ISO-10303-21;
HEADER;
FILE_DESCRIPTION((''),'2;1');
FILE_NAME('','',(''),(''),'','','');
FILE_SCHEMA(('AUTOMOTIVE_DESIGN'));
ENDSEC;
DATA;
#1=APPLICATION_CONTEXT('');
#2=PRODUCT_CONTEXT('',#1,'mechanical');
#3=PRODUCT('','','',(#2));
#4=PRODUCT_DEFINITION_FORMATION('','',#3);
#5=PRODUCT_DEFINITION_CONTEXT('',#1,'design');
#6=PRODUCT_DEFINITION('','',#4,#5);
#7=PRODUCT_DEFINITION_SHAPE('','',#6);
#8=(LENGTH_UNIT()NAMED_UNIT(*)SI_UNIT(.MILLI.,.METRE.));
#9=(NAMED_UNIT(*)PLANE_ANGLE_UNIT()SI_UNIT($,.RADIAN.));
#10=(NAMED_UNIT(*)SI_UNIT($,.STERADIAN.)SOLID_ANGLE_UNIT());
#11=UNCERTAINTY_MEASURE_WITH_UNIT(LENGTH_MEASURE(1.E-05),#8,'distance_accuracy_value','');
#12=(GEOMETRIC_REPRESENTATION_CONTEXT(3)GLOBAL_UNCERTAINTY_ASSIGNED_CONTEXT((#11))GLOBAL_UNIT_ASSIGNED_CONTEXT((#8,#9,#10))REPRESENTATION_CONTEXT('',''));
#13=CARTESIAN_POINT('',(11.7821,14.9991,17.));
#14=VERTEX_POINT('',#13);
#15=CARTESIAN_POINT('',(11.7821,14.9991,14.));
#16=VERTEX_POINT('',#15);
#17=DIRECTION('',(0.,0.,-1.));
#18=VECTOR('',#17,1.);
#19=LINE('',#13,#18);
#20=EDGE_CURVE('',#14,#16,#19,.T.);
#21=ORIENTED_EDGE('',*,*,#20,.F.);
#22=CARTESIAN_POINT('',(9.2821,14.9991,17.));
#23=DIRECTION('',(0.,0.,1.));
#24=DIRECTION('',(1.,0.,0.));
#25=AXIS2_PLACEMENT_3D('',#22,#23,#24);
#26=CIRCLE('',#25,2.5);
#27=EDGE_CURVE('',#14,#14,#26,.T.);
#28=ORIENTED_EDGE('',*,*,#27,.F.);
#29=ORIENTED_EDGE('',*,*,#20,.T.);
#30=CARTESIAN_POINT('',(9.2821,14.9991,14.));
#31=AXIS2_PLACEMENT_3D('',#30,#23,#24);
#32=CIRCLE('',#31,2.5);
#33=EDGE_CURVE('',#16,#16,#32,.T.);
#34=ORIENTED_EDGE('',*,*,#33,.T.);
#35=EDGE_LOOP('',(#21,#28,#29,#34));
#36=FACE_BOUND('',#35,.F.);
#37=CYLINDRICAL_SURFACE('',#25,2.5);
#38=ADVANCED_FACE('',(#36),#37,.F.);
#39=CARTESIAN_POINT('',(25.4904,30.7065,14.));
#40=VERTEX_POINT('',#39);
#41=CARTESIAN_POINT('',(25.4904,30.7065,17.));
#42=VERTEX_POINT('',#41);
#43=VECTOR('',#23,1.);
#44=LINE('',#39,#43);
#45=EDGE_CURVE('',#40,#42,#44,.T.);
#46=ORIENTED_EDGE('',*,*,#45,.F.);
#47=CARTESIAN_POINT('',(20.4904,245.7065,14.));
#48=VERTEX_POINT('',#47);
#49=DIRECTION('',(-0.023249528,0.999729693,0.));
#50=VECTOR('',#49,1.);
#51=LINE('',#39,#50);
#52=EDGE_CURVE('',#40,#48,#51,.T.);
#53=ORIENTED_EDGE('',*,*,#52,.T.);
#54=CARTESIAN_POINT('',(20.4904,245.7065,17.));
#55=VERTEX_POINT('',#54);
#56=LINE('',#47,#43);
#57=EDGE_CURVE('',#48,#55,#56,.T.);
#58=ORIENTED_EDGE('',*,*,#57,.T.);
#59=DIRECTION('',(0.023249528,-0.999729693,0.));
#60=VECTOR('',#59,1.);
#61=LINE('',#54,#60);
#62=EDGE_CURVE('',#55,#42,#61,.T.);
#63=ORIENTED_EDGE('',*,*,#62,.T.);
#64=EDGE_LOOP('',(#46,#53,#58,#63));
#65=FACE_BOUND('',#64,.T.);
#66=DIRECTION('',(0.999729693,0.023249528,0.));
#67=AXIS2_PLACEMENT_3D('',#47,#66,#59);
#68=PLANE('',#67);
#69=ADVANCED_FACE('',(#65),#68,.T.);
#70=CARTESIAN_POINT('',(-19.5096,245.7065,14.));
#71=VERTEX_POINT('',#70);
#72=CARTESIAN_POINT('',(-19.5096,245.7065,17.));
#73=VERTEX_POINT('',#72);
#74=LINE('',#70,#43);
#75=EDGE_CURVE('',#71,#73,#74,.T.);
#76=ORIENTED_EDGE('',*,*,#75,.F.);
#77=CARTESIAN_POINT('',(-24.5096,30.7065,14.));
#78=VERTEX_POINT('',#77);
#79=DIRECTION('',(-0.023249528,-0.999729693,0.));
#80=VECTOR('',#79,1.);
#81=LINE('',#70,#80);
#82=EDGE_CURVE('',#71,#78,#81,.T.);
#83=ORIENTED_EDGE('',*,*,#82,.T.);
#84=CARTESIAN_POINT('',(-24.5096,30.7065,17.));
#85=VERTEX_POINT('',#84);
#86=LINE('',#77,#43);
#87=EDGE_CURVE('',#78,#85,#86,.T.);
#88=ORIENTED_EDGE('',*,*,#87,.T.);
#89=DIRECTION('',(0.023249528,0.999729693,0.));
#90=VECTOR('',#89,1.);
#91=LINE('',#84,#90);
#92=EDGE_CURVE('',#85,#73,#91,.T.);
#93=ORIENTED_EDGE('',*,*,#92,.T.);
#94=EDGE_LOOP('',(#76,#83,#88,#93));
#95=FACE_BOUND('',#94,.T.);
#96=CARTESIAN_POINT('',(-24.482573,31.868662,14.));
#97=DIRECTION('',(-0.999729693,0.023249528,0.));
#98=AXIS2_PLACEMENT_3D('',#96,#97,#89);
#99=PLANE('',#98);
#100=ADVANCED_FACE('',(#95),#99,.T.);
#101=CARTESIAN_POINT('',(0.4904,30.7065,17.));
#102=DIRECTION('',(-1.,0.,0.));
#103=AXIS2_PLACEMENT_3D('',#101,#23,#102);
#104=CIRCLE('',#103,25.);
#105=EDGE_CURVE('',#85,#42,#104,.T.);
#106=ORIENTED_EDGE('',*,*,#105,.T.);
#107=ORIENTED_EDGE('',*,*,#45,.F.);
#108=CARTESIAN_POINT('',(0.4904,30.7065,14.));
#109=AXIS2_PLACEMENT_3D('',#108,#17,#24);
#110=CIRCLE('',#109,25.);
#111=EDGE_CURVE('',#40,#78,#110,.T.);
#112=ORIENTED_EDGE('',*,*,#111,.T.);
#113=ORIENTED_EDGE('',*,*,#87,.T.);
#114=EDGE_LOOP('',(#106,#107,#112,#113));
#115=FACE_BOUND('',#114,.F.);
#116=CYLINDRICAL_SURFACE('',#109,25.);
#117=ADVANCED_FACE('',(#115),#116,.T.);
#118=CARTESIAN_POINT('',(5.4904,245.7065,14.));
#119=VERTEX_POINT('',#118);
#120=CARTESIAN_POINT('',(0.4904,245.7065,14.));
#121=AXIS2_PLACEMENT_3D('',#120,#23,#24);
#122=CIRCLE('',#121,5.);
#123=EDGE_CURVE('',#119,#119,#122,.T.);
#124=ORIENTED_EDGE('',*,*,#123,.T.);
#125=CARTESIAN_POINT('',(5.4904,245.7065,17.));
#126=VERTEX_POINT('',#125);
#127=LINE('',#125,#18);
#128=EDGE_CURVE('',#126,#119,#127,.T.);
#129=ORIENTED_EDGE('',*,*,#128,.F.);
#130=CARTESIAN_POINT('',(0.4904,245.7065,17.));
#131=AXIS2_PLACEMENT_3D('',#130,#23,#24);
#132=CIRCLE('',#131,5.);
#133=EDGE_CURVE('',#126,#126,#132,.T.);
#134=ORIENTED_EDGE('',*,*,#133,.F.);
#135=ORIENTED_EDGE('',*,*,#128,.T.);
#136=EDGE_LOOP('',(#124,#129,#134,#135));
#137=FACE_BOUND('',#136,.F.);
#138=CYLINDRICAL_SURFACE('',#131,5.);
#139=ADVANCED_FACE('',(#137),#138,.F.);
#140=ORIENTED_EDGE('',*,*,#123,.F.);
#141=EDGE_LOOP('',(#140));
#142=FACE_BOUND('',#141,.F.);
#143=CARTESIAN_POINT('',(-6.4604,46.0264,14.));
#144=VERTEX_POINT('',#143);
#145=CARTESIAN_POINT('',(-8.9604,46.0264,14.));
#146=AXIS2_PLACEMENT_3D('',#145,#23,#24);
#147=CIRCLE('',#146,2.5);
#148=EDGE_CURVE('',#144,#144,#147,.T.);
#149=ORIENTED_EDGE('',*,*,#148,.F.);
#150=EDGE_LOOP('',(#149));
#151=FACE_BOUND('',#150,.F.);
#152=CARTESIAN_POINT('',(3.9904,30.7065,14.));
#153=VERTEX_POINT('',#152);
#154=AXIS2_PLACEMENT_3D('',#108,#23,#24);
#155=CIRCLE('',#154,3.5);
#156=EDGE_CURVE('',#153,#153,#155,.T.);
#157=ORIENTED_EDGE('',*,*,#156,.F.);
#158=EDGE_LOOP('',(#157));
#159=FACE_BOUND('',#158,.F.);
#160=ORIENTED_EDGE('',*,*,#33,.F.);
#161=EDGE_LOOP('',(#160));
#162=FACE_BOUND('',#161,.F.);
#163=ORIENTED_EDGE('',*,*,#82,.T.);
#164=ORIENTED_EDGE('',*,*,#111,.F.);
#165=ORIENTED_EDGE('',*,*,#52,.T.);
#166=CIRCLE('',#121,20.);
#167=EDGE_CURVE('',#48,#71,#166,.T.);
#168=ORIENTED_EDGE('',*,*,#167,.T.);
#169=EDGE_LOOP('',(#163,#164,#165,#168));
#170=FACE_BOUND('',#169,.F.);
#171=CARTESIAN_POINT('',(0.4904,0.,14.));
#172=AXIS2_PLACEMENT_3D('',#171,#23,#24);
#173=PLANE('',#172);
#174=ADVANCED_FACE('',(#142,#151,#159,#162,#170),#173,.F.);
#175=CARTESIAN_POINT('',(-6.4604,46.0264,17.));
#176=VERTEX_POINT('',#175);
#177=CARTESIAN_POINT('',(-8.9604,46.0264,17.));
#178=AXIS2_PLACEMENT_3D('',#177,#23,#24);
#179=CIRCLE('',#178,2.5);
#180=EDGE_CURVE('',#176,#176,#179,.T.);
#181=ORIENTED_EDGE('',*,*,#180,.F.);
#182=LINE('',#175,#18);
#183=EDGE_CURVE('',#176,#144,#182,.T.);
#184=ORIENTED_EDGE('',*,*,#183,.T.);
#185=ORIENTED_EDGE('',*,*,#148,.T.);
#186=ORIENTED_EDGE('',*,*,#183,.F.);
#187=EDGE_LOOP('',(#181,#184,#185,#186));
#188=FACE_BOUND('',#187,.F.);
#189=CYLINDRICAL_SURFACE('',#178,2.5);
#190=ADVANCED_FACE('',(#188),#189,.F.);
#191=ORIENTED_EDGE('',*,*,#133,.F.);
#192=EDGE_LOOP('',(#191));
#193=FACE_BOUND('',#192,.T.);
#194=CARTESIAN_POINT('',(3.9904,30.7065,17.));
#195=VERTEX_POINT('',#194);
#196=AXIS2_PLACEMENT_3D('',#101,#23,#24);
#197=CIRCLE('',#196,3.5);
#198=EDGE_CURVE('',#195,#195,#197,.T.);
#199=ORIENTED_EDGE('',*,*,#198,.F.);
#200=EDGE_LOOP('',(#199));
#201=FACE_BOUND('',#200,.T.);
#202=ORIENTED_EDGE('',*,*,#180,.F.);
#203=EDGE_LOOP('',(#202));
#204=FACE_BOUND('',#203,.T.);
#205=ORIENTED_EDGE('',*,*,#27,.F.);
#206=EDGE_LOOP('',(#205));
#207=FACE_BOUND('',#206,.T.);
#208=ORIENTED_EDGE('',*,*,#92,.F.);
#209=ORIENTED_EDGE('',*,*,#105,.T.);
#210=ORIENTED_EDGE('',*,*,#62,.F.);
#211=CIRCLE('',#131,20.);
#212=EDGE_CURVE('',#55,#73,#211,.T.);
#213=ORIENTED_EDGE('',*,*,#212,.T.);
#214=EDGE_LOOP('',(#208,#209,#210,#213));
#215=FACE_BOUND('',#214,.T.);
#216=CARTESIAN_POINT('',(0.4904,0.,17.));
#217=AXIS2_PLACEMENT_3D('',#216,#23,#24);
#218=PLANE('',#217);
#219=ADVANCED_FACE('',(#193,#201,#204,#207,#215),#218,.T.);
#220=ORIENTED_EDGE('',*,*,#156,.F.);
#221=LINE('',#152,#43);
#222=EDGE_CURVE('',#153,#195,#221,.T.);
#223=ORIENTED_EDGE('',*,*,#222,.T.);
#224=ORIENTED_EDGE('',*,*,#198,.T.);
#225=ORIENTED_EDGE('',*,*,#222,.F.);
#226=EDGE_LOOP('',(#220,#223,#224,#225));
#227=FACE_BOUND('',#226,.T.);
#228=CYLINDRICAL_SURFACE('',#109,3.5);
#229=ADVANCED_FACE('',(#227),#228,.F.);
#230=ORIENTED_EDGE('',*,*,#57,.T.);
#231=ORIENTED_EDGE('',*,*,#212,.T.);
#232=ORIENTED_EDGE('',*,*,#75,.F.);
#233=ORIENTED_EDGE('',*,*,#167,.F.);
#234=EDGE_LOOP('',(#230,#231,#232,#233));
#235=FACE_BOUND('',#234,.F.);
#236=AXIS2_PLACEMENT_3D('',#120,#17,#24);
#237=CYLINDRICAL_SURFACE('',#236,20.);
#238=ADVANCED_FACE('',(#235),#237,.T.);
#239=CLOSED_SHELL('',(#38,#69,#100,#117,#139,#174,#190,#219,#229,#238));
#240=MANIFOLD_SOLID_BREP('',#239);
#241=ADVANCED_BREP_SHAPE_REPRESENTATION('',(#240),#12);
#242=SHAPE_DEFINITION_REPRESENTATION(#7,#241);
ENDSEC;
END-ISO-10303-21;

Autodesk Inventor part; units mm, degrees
ref_plane "YZ Plane" through (0, 0, 0) normal (1, 0, 0) x (0, 1, 0)
ref_plane "XZ Plane" through (0, 0, 0) normal (0, 1, 0) x (-1, 0, 0)
ref_plane "XY Plane" through (0, 0, 0) normal (0, 0, 1) x (1, 0, 0)
ref_plane "Work Plane2" through (0.4904, 0, 14) normal (0, 0, 1) x (1, 0, 0)
sketch "Sketch1" plane through (0.4904, 0, 14) normal (0, 0, 1) x (1, 0, 0)
  line L0 (-25, 245.7065) -> (25, 245.7065)
  line L1 (25, 245.7065) -> (25, 5.7065)
  line L2 (25, 5.7065) -> (-25, 5.7065)
  line L3 (-25, 5.7065) -> (-25, 245.7065)
  line L4 (-20, 245.7065) -> (20, 245.7065)
  line L5 (20, 5.7065) -> (-20, 5.7065)
  circle A0 centre (0, 30.7065) radius 3.5 projected
  circle A1 centre (0, 30.7065) radius 25
  circle A2 centre (0, 245.7065) radius 20
  line L6 (-25, 30.7065) -> (-20, 245.7065)
  line L7 (20, 245.7065) -> (25, 30.7065)
  point P0 (-0.4904, 0)
  point P1 (-20, 245.7065)
  dimension "d6" = 240
  dimension "d7" = 0
  dimension "d9" = 50
  dimension "d10" = 25
  dimension "d11" = 25
  dimension "d12" = 25
  dimension "d13" = 0
extrude "Extrusion1" add sketch "Sketch1" along normal blind 3 contours A2 L0 | L0 A2 | A2 L7 A1 L6 | L6 A1 L7
sketch "Sketch2" plane through (0.4904, 0, 17) normal (0, 0, 1) x (1, 0, 0)
  arc A0 (20, 245.7065) -> (-20, 245.7065) centre (0, 245.7065) ccw projected
  circle A1 centre (0, 245.7065) radius 5
  point P0 (-0.4904, 0)
  dimension "d16" = 10
extrude "Extrusion2" cut sketch "Sketch2" against normal blind 3
sketch "Sketch3" plane through (0.4904, 0, 17) normal (0, 0, 1) x (1, 0, 0)
  circle A0 centre (-9.4508, 46.0264) radius 2.5 projected
  circle A1 centre (8.7917, 14.9991) radius 2.5 projected
  point P0 (-0.4904, 0)
extrude "Extrusion3" cut sketch "Sketch3" against normal blind 10
properties part number "Link2Base2"
